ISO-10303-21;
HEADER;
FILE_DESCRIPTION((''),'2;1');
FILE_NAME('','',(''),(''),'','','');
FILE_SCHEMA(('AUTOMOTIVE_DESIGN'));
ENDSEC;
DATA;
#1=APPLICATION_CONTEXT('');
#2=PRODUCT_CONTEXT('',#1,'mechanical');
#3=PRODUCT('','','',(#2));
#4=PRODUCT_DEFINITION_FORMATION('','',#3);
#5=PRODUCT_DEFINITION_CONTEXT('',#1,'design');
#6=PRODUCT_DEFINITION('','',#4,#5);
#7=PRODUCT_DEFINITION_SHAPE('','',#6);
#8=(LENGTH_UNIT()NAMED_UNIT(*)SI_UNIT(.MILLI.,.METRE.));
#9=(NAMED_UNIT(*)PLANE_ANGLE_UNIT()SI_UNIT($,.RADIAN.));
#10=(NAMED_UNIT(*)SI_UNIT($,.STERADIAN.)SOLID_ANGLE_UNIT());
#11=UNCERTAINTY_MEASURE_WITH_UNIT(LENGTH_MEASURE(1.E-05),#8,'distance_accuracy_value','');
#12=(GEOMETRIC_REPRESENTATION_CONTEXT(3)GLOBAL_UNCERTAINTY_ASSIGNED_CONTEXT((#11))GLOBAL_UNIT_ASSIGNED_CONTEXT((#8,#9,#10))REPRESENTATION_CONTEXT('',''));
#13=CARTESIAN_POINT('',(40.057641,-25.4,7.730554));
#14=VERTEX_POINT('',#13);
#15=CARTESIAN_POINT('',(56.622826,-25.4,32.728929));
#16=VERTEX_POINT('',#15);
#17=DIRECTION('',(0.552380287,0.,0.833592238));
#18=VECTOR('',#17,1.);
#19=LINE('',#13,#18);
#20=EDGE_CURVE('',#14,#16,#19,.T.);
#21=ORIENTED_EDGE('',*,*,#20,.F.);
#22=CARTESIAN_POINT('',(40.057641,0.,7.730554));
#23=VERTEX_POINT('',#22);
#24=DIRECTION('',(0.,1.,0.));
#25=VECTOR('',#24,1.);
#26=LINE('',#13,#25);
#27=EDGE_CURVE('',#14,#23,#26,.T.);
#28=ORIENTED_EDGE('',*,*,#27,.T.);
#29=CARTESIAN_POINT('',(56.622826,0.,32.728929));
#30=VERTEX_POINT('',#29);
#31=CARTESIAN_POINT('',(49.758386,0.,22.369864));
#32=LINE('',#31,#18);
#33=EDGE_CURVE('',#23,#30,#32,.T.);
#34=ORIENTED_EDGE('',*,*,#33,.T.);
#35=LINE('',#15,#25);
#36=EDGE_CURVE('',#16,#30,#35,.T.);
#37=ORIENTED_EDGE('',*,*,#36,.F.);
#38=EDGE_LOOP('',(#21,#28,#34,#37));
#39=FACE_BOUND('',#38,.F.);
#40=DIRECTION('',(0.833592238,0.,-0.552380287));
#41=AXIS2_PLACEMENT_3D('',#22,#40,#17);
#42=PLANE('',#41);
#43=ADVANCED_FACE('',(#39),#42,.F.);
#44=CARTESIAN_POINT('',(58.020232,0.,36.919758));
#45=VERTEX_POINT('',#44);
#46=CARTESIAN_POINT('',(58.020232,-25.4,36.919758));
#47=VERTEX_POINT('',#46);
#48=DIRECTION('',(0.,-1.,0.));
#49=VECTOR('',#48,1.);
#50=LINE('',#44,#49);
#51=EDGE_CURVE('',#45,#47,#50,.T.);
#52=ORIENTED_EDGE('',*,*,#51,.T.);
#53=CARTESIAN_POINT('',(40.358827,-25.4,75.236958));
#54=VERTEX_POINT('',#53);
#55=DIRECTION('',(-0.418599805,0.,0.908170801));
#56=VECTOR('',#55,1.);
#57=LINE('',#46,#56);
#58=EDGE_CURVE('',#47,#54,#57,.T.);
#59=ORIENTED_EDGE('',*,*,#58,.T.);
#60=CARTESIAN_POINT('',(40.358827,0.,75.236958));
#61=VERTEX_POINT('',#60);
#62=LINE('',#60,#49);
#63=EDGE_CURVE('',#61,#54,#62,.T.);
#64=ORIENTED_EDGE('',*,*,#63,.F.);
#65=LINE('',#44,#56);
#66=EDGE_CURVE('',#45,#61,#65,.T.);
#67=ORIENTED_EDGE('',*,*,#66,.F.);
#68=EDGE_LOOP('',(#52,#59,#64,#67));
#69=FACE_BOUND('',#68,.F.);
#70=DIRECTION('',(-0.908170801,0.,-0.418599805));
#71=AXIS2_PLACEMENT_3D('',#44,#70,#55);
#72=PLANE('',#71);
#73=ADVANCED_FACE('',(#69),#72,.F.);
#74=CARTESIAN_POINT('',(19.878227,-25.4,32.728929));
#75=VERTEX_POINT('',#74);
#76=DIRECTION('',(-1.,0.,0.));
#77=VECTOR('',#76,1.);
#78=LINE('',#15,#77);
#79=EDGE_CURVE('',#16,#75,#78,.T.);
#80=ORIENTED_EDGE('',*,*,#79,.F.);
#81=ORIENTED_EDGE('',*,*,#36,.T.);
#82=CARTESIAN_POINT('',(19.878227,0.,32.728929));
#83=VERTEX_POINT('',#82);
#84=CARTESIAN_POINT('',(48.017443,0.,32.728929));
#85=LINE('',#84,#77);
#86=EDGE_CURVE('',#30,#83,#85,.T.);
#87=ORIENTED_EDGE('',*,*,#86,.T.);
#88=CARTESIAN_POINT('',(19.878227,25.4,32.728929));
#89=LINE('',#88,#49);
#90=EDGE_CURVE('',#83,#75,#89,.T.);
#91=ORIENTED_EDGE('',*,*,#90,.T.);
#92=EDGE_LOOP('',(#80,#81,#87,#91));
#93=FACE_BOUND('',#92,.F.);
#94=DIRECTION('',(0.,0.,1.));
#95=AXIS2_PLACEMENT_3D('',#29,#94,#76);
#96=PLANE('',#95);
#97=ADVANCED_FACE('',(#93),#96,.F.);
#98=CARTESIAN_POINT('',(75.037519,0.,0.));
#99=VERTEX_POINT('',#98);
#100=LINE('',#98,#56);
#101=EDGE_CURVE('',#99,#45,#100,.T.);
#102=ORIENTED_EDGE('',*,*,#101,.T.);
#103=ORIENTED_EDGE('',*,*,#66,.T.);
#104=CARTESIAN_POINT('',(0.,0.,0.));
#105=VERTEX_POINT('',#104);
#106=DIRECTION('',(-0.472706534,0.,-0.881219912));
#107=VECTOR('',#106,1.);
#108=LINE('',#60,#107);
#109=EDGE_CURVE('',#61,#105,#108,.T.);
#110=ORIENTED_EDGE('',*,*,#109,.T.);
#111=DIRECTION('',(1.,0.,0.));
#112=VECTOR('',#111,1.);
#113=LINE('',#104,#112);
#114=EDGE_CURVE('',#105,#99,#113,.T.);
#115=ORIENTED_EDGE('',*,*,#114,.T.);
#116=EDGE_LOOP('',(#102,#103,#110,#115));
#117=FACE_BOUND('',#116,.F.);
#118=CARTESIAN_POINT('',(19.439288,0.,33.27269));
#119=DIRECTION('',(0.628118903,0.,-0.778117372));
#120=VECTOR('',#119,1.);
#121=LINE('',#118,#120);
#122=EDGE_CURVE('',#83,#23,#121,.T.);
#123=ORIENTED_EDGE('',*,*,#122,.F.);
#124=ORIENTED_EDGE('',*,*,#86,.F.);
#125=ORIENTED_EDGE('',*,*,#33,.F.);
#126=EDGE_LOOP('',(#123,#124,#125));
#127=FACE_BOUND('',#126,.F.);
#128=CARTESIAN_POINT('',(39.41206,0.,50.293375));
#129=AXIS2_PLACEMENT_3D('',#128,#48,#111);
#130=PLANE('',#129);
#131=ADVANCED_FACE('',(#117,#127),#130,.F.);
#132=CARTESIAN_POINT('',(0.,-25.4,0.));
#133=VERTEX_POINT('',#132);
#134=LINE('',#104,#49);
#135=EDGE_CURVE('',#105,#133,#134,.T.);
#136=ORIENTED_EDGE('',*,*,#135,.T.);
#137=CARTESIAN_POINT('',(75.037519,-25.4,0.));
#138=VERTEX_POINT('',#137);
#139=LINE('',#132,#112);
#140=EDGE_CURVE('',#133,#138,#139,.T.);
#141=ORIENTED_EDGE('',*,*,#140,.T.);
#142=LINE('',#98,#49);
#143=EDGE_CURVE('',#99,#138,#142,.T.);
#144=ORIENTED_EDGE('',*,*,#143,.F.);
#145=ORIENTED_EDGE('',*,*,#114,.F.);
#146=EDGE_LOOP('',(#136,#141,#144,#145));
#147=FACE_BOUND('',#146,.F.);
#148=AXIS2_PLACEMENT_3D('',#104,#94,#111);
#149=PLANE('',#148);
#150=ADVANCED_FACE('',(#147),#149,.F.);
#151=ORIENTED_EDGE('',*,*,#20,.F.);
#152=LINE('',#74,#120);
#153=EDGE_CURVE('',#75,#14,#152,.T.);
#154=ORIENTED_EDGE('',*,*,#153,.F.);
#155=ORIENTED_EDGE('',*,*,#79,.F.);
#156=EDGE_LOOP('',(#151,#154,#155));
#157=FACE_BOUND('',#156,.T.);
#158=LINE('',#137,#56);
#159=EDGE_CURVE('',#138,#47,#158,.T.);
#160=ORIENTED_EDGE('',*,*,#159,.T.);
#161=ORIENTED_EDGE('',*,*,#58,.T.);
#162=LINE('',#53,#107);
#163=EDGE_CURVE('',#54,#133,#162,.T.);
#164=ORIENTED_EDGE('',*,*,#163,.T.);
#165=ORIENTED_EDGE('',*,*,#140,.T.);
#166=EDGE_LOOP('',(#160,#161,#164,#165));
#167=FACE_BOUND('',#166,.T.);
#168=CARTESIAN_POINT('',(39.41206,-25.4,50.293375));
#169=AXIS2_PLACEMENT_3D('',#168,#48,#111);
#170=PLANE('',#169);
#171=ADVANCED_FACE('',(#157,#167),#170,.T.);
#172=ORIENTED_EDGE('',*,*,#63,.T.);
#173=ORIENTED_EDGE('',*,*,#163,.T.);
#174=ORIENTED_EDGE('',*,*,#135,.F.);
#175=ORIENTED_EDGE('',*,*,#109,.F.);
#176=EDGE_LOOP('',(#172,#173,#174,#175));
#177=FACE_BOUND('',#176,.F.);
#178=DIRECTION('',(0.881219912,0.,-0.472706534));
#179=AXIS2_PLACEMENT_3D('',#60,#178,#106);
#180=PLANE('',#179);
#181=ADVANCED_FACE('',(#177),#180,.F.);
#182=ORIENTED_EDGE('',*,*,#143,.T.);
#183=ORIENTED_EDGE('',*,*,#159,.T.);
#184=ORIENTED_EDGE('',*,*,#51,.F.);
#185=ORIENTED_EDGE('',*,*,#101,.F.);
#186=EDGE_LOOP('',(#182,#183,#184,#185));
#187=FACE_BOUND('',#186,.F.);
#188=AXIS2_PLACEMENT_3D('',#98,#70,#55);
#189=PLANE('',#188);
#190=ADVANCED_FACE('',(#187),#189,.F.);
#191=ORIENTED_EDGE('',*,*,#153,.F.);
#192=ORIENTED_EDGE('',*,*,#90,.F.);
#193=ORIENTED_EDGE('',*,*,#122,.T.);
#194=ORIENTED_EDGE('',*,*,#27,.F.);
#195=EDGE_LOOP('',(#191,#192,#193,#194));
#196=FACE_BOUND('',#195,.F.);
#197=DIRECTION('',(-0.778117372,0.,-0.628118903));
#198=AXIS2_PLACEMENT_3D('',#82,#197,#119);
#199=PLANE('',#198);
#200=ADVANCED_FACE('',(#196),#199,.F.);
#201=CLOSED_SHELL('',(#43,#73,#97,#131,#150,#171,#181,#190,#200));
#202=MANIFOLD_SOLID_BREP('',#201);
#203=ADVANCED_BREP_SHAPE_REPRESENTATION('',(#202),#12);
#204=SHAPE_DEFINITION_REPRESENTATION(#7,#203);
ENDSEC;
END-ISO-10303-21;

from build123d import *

# Parameters (mm, degrees)
F1_DEPTH = 25.4
F3_DEPTH = 25.4


with BuildPart() as f1:
    # F0 (on Front) → F1 (new body)
    with BuildSketch(Plane.XZ):
        Polygon((58.0202316056, 36.9197579437), (40.3588265181, 75.2369578606), (20.0064992297, 37.2961324534), align=None)
        Polygon((40.3588265181, 0), (20.0064992297, 37.2961324534), (0, 0), align=None)
        Polygon((58.0202316056, 36.9197579437), (20.0064992297, 37.2961324534), (40.3588265181, 0), align=None)
        Polygon((75.0375189384, 0), (58.0202316056, 36.9197579437), (40.3588265181, 0), align=None)
    extrude(amount=F1_DEPTH)

    # F2 (on Front) → F3 (cut, symmetric)
    with BuildSketch(Plane.XZ):
        Polygon((56.622825563, 32.7289290726), (19.8782272637, 32.7289290726), (40.0576405227, 7.730553858), align=None)
    extrude(amount=F3_DEPTH, both=True, mode=Mode.SUBTRACT)


solid = f1.part
